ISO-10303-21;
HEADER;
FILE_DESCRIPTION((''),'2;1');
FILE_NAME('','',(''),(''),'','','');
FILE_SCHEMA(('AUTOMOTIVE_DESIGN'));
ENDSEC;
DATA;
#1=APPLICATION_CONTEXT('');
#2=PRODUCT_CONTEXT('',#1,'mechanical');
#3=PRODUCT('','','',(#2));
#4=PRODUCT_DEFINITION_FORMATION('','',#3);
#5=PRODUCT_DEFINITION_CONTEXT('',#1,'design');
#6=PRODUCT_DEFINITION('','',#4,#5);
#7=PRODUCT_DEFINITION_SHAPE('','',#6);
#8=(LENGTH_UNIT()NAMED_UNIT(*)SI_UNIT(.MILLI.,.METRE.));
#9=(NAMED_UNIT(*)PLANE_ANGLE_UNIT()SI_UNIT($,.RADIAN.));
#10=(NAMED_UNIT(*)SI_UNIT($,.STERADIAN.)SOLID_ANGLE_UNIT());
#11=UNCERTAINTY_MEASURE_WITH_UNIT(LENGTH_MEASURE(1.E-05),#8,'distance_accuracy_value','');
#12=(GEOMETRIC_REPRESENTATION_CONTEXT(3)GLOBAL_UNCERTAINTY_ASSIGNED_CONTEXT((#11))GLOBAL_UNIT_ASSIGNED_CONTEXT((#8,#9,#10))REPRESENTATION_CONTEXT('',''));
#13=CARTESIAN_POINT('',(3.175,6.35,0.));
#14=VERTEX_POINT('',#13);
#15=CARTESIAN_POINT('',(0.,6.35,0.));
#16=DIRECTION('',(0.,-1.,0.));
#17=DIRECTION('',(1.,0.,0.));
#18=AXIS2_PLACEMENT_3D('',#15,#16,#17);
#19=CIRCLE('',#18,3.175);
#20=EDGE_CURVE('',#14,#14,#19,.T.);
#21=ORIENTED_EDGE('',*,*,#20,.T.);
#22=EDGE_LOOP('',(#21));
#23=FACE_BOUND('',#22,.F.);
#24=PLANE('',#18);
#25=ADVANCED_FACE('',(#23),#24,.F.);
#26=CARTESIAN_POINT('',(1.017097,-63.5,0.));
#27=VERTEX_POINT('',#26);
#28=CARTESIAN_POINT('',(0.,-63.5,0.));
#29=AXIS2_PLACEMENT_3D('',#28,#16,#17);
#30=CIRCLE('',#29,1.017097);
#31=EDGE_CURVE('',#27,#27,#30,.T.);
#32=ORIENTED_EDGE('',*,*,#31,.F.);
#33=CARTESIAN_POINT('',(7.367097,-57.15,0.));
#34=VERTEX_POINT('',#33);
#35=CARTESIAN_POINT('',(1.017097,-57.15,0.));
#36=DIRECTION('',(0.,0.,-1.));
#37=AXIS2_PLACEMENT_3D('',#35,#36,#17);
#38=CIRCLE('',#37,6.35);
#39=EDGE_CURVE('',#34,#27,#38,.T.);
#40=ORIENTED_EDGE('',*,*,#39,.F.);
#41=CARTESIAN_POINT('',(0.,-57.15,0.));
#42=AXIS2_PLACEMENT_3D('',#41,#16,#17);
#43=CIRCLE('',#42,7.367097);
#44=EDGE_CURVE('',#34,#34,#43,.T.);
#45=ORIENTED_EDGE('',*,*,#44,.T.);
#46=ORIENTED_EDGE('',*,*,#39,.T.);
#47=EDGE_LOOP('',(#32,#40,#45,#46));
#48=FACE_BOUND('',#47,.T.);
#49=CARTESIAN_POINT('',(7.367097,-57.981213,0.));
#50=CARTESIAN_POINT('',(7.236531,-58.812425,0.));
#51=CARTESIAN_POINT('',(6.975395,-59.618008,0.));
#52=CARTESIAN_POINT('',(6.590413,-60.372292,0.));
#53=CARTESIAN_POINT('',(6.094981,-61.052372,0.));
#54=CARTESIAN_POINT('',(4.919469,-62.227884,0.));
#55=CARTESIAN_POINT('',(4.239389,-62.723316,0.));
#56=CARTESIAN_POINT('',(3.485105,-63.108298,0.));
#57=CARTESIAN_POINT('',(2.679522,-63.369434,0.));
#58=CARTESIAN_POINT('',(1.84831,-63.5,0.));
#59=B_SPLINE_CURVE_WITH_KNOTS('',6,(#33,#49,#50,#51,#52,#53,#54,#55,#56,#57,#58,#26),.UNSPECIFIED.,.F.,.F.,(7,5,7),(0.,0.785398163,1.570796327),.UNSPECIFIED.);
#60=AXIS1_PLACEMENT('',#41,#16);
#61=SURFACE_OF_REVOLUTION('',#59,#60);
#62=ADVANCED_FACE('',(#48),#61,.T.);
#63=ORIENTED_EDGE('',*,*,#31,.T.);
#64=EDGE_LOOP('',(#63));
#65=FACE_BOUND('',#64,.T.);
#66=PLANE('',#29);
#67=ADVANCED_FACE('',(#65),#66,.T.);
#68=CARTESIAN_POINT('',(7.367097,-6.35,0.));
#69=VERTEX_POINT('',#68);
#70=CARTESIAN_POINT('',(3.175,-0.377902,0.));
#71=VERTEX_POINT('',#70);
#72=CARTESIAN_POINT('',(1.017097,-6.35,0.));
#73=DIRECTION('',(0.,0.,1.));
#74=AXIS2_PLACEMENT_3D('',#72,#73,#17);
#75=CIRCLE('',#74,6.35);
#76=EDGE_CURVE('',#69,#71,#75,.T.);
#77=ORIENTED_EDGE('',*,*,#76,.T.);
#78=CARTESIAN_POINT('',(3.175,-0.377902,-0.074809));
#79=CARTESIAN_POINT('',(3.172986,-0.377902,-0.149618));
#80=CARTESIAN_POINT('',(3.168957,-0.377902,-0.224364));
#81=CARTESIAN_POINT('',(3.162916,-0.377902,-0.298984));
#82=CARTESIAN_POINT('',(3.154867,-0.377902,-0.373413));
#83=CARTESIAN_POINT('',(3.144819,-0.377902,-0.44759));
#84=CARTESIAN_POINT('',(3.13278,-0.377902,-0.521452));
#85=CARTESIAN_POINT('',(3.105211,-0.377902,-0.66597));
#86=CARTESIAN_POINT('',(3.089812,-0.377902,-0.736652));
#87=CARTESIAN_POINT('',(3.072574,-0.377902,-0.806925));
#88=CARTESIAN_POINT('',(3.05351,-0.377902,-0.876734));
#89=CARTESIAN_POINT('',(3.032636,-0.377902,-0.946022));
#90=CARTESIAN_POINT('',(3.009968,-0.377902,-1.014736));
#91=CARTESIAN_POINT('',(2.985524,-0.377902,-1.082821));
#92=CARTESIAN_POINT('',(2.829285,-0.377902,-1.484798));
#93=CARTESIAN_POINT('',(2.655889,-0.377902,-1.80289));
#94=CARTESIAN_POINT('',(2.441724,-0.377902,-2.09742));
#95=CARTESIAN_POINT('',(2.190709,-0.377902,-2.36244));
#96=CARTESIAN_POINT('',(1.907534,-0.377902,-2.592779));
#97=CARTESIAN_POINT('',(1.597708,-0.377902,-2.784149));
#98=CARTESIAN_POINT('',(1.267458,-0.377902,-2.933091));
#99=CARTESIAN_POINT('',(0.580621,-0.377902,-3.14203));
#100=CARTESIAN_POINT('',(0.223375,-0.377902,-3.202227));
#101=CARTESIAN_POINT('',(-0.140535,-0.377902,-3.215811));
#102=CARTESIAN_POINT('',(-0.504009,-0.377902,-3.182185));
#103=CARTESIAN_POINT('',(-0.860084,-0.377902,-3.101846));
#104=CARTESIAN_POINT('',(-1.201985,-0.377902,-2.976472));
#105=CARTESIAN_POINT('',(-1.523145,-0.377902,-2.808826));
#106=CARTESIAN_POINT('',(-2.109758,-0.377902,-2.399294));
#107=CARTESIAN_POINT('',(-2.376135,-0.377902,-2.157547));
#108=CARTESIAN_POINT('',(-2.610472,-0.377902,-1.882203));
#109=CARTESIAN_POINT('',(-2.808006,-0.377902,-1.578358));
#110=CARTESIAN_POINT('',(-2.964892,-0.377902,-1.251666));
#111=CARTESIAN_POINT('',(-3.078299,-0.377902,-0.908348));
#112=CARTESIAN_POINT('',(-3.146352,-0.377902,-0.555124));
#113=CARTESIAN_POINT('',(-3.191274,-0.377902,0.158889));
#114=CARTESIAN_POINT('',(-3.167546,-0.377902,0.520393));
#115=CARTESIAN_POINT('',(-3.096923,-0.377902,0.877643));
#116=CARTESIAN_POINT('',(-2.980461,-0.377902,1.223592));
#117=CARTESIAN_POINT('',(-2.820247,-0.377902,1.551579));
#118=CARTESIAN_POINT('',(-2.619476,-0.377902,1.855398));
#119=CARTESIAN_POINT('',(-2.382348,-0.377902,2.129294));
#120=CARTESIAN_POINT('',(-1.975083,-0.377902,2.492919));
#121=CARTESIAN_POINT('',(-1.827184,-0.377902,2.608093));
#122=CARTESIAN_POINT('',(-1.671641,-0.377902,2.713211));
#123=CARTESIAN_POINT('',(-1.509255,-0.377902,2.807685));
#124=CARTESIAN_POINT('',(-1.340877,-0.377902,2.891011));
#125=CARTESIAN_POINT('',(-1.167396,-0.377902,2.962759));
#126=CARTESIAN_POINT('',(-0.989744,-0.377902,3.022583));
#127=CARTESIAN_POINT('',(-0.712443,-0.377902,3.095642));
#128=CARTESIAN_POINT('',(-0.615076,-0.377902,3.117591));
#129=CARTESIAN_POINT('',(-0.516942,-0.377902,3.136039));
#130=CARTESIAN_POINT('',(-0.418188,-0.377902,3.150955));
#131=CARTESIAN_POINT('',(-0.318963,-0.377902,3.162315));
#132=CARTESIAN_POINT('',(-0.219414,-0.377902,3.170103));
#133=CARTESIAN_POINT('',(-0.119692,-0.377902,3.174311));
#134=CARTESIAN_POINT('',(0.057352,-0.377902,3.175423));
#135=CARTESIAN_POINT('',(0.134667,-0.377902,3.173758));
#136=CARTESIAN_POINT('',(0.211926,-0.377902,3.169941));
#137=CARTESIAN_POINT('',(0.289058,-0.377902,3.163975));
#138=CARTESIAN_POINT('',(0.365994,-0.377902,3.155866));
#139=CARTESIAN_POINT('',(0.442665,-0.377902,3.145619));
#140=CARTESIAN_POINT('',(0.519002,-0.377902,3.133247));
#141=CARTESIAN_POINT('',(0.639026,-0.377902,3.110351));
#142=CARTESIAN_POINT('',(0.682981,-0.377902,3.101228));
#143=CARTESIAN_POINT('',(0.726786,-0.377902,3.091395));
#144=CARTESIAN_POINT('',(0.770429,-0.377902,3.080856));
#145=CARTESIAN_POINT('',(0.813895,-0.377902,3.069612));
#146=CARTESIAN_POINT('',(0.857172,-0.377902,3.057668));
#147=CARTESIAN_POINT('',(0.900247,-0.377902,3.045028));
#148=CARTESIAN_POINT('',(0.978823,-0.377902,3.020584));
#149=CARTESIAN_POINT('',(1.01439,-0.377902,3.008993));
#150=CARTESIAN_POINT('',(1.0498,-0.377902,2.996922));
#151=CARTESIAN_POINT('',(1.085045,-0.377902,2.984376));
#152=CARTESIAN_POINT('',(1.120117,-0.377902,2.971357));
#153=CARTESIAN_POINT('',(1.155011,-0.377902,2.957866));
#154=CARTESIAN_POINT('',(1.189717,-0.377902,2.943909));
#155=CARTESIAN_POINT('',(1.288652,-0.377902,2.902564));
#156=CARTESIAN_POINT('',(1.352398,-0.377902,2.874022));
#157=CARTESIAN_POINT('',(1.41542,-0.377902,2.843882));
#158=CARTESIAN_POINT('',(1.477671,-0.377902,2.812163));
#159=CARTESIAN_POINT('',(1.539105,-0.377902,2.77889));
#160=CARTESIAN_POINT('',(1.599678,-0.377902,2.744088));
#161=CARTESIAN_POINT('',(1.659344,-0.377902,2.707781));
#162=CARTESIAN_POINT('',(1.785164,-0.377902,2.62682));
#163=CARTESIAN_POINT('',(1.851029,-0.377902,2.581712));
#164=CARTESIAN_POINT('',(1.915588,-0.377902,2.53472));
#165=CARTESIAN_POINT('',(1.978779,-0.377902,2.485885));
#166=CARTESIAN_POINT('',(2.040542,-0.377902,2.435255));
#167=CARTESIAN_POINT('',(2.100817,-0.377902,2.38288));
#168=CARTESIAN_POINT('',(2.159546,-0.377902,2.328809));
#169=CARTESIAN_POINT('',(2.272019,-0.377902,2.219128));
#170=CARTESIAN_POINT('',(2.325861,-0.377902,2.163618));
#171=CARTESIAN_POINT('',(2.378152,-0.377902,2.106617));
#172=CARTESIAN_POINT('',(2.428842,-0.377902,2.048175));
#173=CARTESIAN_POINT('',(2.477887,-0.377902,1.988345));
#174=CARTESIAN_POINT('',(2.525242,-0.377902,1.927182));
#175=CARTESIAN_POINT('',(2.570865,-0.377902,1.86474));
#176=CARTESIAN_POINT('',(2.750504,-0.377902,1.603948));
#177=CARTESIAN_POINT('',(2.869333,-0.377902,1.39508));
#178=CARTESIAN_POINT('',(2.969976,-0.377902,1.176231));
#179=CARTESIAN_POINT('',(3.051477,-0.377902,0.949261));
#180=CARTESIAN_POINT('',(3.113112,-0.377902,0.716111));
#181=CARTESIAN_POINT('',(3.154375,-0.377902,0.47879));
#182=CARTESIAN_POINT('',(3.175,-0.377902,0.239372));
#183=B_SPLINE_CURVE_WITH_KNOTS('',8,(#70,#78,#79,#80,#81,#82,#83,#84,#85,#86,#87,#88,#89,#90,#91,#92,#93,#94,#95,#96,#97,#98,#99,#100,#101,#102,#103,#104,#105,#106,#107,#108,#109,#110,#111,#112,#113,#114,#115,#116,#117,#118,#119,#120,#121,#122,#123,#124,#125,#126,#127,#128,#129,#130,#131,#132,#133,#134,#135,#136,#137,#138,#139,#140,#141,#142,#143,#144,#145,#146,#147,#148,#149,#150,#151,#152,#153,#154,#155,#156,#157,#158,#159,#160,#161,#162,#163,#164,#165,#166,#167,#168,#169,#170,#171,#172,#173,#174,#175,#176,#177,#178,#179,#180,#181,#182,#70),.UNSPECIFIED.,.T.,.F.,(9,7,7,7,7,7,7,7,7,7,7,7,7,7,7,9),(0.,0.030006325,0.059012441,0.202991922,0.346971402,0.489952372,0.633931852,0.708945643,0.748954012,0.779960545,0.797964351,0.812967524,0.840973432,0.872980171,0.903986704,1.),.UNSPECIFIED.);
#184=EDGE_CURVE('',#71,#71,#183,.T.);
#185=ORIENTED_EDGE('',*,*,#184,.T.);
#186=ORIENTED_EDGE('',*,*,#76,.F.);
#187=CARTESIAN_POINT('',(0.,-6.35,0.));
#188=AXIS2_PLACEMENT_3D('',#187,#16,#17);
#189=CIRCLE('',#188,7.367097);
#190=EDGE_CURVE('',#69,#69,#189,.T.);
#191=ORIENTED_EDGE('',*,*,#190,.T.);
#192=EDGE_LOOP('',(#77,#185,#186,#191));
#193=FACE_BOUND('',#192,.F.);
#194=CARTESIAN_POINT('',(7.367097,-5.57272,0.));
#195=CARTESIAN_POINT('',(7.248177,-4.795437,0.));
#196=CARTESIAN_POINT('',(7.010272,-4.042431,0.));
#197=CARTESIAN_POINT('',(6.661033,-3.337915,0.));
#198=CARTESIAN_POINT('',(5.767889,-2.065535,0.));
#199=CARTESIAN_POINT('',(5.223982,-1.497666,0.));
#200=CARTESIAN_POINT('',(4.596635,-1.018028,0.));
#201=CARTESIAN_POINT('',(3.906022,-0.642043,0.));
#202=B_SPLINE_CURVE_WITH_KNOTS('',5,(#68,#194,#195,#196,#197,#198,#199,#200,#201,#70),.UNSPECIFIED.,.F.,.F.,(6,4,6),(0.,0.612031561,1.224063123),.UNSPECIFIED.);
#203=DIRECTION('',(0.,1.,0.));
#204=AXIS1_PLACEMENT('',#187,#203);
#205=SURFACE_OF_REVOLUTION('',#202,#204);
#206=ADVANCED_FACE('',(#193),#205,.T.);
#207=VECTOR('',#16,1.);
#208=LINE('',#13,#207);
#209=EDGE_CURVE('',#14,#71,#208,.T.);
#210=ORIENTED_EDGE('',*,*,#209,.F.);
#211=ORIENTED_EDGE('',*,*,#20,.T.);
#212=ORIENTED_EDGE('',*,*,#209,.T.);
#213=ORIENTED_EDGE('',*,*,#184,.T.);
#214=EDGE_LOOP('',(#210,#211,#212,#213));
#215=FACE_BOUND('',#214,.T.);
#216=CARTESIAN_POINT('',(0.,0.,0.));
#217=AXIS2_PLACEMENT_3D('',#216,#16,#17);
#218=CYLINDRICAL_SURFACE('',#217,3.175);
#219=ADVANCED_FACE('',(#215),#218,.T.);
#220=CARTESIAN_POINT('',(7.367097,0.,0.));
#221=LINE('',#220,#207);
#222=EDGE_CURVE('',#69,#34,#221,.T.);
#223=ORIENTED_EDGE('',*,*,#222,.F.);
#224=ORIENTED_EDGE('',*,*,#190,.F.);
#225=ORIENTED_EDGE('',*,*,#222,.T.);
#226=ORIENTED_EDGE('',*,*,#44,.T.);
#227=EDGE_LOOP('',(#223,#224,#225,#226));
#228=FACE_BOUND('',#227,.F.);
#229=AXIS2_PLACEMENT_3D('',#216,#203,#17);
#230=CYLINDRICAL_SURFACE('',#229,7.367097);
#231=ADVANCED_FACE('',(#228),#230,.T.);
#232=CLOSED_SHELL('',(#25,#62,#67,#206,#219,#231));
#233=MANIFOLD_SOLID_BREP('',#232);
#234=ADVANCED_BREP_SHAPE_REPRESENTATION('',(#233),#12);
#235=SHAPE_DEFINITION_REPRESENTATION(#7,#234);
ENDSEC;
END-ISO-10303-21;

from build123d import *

# Parameters (mm, degrees)
F0_R     = 7.367097
F1_DEPTH = 63.5
F2_R     = 6.35
F3_R     = 6.35
F4_R     = 3.175
F5_DEPTH = 6.35


with BuildPart() as f1:
    # F0 (on Front) → F1 (new body)
    with BuildSketch(Plane.XZ):
        Circle(F0_R)
    extrude(amount=F1_DEPTH)

    # F2
    f2_edges = [f1.edges().sort_by_distance(p)[0] for p in [
        (-7.367097, -63.5, 0),
    ]]
    fillet(f2_edges, radius=F2_R)

    # F3
    f3_edges = [f1.edges().sort_by_distance(p)[0] for p in [
        (-7.367097, 0, 0),
    ]]
    fillet(f3_edges, radius=F3_R)

    # F4 (on Front) → F5 (join, symmetric)
    with BuildSketch(Plane.XZ):
        Circle(F4_R)
    extrude(amount=F5_DEPTH, both=True)


solid = f1.part
